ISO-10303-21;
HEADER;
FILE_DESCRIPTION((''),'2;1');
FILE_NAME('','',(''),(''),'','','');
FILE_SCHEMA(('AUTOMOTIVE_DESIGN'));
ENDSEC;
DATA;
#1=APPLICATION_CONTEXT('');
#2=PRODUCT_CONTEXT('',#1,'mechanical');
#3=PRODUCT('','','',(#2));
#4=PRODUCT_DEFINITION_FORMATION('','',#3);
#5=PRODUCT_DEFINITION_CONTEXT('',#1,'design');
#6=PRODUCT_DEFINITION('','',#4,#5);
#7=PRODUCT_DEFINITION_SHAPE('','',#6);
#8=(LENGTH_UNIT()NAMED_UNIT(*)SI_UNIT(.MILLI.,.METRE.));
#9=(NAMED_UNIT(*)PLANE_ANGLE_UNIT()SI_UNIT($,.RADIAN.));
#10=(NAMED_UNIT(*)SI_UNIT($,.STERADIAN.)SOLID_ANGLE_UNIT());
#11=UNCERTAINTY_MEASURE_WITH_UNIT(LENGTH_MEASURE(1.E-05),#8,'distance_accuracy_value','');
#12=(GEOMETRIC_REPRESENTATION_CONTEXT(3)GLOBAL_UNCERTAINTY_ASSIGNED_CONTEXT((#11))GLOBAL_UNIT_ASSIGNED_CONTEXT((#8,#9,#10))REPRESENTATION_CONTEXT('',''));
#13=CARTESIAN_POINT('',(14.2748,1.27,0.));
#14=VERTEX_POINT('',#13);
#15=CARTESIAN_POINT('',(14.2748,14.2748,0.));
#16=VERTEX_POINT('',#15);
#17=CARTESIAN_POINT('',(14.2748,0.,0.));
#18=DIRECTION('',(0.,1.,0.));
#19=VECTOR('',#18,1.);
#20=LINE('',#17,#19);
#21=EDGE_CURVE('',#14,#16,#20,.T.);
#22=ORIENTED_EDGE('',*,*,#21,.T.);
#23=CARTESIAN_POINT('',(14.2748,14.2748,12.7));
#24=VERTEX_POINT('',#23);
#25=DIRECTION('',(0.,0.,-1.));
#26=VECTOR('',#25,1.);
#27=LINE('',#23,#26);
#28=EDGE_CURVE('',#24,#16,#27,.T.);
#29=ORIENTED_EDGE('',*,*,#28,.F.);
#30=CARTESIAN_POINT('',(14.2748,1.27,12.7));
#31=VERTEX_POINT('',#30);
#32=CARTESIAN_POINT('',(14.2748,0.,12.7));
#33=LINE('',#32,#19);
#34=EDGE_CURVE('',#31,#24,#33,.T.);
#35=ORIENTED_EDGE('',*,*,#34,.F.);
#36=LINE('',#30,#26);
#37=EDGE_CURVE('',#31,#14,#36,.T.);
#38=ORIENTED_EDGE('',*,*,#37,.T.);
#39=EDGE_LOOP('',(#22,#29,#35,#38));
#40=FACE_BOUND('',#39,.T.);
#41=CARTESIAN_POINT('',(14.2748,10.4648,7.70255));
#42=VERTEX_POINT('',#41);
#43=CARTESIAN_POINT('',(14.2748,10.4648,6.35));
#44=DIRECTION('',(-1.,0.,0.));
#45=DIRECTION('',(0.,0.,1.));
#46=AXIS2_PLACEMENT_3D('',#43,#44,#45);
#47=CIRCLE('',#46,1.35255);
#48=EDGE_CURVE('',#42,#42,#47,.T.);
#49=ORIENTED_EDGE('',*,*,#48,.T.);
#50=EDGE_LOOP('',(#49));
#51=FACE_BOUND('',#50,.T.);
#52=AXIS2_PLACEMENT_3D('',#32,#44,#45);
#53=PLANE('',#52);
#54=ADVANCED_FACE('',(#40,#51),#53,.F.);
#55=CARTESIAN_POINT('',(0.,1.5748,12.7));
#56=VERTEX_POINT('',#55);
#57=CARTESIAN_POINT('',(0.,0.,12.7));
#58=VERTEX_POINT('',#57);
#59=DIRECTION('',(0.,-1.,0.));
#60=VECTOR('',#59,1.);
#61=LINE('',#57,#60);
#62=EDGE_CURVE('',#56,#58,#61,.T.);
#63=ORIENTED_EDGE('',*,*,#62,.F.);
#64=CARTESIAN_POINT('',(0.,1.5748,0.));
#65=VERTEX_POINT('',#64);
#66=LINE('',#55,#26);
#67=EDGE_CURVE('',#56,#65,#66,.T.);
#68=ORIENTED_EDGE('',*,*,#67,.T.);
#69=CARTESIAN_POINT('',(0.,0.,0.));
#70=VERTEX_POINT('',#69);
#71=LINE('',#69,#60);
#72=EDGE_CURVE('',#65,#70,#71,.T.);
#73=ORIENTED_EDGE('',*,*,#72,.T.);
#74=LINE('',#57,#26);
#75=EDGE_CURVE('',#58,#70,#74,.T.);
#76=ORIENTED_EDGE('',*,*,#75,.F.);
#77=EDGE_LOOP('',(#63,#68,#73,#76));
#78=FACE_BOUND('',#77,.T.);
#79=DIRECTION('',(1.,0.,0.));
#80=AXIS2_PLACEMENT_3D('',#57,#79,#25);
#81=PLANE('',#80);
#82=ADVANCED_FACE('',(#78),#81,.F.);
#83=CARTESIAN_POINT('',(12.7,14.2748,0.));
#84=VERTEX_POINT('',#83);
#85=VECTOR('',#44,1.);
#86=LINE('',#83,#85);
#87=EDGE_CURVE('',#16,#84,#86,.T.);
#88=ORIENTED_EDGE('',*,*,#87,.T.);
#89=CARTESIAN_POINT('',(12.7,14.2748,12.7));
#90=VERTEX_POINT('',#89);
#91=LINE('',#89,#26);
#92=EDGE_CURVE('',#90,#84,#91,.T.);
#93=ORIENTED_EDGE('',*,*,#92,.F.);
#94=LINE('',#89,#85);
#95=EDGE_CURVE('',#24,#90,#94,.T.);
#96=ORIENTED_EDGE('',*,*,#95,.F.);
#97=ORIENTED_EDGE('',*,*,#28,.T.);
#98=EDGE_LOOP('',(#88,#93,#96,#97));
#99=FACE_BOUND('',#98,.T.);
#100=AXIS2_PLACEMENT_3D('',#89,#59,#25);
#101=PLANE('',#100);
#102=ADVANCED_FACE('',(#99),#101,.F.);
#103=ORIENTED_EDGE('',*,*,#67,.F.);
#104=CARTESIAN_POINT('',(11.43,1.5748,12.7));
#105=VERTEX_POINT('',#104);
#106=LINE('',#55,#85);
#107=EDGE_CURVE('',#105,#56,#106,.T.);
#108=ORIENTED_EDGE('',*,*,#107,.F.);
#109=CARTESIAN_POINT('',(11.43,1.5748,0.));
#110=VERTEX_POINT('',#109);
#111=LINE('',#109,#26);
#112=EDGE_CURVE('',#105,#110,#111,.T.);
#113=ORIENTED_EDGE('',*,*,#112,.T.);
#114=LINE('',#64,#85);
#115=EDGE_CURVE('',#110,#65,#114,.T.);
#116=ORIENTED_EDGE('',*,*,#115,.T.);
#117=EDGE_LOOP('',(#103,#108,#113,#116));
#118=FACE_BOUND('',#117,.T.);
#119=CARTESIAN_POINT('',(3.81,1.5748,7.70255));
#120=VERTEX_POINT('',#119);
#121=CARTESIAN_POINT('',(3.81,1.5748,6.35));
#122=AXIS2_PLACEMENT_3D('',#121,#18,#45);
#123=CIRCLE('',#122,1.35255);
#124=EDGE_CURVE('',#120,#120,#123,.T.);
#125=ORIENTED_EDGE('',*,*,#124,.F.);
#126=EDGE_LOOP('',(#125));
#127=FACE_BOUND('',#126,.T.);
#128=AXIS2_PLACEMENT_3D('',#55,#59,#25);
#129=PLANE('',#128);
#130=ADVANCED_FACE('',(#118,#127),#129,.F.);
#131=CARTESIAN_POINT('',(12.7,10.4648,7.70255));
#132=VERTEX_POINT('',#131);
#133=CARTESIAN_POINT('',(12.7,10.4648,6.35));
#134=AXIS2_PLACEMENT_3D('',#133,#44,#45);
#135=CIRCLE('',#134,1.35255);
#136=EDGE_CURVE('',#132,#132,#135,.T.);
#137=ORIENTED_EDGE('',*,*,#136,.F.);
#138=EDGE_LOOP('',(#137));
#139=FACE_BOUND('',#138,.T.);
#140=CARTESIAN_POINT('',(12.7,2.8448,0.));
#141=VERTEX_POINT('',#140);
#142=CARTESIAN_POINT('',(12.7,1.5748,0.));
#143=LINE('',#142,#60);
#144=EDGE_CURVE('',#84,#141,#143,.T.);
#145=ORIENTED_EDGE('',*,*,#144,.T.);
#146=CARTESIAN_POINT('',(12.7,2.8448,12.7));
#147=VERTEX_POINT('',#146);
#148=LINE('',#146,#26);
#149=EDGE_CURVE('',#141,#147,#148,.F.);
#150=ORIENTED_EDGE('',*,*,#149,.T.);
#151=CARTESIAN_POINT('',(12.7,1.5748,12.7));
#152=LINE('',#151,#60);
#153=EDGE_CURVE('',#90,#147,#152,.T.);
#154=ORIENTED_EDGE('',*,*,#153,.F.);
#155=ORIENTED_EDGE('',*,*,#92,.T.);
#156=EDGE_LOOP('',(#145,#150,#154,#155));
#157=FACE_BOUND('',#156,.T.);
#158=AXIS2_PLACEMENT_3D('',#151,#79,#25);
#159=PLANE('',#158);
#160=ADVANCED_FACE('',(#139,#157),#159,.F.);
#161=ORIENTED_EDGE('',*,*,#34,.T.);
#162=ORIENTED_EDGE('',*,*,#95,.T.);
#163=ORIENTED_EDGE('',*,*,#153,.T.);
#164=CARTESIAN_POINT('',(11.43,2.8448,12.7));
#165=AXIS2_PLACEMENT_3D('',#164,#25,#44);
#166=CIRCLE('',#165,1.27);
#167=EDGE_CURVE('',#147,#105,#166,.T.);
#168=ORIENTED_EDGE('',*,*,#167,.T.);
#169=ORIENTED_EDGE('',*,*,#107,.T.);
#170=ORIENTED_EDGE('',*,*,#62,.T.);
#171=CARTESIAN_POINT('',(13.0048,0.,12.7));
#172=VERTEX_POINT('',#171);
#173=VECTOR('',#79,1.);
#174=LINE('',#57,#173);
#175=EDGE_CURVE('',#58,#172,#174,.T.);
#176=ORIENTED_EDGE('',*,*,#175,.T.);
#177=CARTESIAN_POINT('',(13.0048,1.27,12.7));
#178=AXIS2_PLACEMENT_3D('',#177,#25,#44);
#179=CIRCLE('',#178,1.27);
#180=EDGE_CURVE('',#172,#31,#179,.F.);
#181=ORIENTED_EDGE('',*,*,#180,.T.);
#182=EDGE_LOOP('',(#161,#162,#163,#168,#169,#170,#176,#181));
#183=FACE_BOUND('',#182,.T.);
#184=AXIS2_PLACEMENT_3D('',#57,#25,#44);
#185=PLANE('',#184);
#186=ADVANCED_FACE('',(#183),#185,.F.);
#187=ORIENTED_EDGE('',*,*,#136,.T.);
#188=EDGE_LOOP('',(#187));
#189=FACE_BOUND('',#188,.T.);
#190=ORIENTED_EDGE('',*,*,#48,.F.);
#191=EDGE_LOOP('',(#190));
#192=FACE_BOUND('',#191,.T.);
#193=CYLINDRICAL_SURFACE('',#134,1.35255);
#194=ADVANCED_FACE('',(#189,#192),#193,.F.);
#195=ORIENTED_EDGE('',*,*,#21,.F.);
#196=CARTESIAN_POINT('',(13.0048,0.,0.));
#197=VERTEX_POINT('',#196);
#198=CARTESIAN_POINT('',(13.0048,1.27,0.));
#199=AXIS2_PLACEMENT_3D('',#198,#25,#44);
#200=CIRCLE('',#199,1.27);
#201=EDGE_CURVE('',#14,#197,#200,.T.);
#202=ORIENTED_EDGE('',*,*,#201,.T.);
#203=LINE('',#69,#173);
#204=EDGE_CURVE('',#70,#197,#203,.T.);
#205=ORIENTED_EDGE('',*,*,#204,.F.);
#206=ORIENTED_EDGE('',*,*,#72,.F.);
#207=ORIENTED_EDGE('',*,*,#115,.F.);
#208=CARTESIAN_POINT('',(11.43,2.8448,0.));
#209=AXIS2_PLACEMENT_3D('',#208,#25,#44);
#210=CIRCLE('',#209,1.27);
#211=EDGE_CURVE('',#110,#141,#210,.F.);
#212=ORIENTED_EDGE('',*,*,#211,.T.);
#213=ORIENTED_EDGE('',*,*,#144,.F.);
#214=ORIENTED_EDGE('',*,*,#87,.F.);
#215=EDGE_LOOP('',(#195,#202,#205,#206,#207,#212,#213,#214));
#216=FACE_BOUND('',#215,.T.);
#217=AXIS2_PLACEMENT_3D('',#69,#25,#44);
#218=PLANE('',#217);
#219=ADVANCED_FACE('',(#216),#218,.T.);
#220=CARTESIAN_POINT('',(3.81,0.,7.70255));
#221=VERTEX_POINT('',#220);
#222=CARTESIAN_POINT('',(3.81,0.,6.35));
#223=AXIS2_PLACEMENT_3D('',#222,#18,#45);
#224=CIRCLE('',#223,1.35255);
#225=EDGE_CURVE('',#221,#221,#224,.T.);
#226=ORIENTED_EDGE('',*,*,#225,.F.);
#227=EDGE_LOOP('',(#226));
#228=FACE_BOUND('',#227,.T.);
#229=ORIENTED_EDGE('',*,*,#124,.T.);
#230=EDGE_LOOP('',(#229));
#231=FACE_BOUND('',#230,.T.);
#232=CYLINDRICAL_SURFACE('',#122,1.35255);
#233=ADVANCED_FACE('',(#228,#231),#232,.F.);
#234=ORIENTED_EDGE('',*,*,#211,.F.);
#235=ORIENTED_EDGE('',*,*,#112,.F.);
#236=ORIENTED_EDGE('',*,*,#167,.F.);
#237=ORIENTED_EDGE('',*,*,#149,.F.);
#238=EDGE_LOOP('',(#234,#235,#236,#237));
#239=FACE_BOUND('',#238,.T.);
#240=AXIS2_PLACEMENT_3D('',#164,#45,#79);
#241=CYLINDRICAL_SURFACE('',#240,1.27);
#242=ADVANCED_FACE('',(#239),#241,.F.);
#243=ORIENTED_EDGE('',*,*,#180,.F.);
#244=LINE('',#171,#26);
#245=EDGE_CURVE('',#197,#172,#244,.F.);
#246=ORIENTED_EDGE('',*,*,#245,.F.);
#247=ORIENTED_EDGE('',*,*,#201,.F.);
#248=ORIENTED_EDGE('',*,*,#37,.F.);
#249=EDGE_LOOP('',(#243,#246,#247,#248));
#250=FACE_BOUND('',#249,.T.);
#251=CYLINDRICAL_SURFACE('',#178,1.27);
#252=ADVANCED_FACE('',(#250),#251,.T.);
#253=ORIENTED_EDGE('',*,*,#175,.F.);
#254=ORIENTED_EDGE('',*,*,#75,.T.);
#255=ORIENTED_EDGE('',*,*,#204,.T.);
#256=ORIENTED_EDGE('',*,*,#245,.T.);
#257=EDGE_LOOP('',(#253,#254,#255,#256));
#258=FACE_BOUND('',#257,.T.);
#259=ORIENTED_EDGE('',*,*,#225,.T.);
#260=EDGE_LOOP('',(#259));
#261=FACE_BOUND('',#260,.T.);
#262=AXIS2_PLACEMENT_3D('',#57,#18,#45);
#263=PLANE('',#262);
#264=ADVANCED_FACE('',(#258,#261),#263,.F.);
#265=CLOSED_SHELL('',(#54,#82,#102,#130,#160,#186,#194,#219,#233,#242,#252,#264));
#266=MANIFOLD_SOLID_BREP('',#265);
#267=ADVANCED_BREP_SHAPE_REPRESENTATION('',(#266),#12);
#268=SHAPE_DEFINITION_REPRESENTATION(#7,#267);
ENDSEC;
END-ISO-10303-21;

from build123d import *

# Parameters (mm, degrees)
BOSS_EXTRUDE1_DEPTH   = 12.7
FILLET1_R             = 1.27
F_6_32_TAPPED_HOLE1_D = 2.7051
F_6_32_TAPPED_HOLE2_D = 2.7051


with BuildPart() as part:
    # Sketch1 → Boss-Extrude1 (new body)
    with BuildSketch(Plane.XY):
        Polygon((0, 0), (14.2748, 0), (14.2748, 14.2748), (12.7, 14.2748), (12.7, 1.5748), (0, 1.5748), align=None)
    extrude(amount=BOSS_EXTRUDE1_DEPTH)

    # Fillet1
    fillet1_edges = [part.edges().sort_by_distance(p)[0] for p in [
        (12.7, 1.5748, 6.35),
        (14.2748, 0, 6.35),
    ]]
    fillet(fillet1_edges, radius=FILLET1_R)

    # #6-32 Tapped Hole1 (through all)
    with Locations(Plane.ZY.offset(-12.7)):
        with Locations((6.35, 10.4648)):
            Hole(F_6_32_TAPPED_HOLE1_D / 2)

    # #6-32 Tapped Hole2 (through all)
    with Locations(Plane(origin=(0, 1.5748, 0), x_dir=(1, 0, 0), z_dir=(0, 1, 0))):
        with Locations((3.81, -6.35)):
            Hole(F_6_32_TAPPED_HOLE2_D / 2)


solid = part.part
